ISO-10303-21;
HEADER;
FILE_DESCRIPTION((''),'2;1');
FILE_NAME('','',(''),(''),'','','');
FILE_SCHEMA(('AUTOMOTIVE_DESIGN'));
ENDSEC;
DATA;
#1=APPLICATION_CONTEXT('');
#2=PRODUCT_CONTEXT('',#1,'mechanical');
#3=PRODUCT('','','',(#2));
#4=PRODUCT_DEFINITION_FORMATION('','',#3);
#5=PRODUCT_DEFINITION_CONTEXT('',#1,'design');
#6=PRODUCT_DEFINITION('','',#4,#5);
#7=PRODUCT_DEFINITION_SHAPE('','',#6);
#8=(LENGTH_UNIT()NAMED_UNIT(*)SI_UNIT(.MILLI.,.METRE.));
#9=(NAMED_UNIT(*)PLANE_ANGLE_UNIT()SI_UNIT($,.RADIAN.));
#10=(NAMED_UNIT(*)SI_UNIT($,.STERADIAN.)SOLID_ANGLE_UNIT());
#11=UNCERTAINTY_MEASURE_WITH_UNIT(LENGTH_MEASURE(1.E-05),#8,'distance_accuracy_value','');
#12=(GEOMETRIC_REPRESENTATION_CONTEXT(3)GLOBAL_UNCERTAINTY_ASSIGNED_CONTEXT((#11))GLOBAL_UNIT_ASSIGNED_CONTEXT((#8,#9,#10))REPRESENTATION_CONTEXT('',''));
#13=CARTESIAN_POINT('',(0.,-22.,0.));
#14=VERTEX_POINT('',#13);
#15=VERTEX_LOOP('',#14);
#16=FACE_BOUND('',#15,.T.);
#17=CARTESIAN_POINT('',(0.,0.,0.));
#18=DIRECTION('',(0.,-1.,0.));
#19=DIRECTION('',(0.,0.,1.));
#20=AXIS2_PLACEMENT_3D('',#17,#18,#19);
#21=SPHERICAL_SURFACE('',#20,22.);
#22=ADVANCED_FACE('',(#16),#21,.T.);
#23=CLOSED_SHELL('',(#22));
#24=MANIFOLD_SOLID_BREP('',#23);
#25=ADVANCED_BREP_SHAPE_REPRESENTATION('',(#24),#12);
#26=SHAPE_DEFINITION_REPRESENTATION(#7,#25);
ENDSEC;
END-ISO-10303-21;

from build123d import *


with BuildPart() as part:
    # Schizzo1 → Rivoluzione1 (revolve)
    with BuildSketch(Plane(origin=(0, 0, 0), x_dir=(0, 0, -1), z_dir=(1, 0, 0))):
        with BuildLine():
            Line((0, -22), (0, 22))
            ThreePointArc((0, 22), (22, 0), (0, -22))
        make_face()
    revolve(axis=Axis((0, -22, 0), (0, 1, 0)))


solid = part.part
